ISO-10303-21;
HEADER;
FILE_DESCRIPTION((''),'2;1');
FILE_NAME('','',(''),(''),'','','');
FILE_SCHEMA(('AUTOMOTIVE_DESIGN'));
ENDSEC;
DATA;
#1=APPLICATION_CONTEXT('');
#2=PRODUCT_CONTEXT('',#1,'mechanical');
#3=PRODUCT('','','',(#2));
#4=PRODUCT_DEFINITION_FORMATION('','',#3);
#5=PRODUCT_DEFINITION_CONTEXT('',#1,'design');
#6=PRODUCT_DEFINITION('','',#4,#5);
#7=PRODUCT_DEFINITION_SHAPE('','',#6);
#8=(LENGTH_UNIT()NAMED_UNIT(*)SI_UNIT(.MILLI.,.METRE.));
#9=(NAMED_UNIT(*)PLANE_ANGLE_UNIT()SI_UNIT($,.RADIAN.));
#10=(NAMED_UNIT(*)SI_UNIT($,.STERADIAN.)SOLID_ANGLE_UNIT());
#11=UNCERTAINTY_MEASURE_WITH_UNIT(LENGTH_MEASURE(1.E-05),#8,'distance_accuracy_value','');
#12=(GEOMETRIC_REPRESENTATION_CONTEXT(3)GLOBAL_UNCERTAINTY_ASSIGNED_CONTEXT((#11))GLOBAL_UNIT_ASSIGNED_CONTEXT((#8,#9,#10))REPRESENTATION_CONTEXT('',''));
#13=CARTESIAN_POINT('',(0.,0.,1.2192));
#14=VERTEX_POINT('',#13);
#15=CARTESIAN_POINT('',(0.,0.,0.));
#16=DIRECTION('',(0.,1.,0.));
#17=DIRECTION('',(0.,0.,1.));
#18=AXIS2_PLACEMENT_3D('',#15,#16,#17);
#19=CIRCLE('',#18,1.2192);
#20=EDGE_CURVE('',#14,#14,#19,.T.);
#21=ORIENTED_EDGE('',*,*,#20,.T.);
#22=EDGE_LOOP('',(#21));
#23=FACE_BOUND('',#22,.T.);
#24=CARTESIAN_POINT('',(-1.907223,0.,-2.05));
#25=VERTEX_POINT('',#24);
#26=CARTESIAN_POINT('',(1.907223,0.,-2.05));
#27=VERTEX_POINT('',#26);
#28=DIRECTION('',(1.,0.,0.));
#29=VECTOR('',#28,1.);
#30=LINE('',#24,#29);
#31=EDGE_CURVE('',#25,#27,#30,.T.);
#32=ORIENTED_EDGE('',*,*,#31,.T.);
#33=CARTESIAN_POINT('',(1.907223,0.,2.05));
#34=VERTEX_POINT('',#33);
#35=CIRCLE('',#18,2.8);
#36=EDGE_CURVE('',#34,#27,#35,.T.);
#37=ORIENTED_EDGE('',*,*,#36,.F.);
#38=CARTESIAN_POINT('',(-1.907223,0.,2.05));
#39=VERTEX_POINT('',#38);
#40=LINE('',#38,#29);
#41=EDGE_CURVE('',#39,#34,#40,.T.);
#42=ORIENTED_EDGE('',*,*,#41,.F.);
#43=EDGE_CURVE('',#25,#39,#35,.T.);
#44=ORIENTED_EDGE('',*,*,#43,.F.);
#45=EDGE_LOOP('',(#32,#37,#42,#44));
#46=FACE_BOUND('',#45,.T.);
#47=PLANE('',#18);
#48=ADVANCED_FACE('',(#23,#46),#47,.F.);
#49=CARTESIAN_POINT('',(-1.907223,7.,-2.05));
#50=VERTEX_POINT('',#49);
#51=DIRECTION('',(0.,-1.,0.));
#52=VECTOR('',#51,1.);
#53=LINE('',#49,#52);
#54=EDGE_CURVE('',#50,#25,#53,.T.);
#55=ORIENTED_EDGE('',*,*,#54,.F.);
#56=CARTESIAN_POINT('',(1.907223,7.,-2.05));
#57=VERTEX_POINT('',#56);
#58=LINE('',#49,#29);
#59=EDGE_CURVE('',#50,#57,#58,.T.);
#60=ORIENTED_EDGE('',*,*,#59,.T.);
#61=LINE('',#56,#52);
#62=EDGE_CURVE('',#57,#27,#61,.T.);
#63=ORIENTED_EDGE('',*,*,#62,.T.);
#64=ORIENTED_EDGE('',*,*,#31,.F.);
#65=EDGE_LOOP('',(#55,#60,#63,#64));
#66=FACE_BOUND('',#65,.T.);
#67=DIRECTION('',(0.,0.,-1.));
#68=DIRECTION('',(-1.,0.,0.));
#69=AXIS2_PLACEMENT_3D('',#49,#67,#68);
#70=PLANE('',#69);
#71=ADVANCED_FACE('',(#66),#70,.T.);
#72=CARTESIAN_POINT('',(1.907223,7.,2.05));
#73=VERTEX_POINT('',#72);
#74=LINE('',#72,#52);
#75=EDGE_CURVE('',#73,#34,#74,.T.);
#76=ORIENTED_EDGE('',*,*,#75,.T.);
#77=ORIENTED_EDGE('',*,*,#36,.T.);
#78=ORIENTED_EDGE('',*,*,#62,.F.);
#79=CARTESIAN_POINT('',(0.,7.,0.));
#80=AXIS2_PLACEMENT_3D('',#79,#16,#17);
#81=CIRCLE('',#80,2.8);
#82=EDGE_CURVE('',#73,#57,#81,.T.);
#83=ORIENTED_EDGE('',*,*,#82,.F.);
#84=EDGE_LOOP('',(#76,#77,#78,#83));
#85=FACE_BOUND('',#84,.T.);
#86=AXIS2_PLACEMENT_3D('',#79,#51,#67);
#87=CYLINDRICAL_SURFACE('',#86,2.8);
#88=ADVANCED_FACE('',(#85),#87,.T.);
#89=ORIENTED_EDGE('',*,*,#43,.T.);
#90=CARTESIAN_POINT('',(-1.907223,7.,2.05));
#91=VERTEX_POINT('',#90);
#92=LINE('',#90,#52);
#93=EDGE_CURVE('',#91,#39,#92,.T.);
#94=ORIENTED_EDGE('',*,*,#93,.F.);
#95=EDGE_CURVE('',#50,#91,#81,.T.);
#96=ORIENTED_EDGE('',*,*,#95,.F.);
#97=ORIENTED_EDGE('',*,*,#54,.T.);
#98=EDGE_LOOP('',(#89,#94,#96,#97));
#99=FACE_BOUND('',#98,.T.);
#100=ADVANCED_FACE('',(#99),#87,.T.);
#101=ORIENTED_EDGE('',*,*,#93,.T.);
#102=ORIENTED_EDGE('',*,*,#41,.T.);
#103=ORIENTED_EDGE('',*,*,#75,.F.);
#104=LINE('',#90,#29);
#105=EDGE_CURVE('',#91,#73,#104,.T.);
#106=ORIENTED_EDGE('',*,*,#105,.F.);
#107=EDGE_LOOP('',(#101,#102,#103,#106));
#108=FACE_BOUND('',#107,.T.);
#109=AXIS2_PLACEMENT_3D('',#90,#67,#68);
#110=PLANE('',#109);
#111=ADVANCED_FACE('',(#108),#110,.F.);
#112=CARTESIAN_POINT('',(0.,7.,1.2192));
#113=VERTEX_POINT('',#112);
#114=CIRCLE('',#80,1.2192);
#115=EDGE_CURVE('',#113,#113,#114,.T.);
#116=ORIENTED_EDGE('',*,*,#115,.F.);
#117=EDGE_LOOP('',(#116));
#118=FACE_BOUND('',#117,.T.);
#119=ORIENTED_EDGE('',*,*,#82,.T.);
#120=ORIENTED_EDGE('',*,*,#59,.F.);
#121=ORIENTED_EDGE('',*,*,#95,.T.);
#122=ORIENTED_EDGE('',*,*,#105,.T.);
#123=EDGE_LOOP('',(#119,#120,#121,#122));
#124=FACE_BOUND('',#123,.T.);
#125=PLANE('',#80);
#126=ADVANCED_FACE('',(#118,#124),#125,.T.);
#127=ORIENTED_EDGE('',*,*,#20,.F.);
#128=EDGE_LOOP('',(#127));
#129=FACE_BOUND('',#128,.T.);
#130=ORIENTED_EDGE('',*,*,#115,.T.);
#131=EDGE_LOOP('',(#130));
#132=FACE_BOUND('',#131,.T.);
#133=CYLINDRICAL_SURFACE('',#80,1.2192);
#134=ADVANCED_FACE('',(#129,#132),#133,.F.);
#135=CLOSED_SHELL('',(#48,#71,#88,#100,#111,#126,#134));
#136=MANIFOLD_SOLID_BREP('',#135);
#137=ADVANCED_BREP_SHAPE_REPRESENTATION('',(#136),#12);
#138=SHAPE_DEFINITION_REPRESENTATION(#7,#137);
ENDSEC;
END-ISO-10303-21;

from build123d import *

# Parameters (mm, degrees)
BOSS_EXTRUDE1_DEPTH   = 7
F_2_CLEARANCE_HOLE1_D = 2.4384


with BuildPart() as part:
    # Sketch1 → Boss-Extrude1 (new body)
    with BuildSketch(Plane(origin=(0, 0, 0), x_dir=(1, 0, 0), z_dir=(0, 1, 0))):
        with BuildLine():
            Line((-1.907223112, 2.05), (1.907223112, 2.05))
            ThreePointArc((1.907223112, 2.05), (2.8, 0), (1.907223112, -2.05))
            Line((1.907223112, -2.05), (-1.907223112, -2.05))
            ThreePointArc((-1.907223112, -2.05), (-2.8, 0), (-1.907223112, 2.05))
        make_face()
    extrude(amount=BOSS_EXTRUDE1_DEPTH)

    # #2 Clearance Hole1 (through all)
    with Locations(Plane(origin=(0, 7, 0), x_dir=(1, 0, 0), z_dir=(0, 1, 0))):
        with Locations((0, 0)):
            Hole(F_2_CLEARANCE_HOLE1_D / 2)


solid = part.part
